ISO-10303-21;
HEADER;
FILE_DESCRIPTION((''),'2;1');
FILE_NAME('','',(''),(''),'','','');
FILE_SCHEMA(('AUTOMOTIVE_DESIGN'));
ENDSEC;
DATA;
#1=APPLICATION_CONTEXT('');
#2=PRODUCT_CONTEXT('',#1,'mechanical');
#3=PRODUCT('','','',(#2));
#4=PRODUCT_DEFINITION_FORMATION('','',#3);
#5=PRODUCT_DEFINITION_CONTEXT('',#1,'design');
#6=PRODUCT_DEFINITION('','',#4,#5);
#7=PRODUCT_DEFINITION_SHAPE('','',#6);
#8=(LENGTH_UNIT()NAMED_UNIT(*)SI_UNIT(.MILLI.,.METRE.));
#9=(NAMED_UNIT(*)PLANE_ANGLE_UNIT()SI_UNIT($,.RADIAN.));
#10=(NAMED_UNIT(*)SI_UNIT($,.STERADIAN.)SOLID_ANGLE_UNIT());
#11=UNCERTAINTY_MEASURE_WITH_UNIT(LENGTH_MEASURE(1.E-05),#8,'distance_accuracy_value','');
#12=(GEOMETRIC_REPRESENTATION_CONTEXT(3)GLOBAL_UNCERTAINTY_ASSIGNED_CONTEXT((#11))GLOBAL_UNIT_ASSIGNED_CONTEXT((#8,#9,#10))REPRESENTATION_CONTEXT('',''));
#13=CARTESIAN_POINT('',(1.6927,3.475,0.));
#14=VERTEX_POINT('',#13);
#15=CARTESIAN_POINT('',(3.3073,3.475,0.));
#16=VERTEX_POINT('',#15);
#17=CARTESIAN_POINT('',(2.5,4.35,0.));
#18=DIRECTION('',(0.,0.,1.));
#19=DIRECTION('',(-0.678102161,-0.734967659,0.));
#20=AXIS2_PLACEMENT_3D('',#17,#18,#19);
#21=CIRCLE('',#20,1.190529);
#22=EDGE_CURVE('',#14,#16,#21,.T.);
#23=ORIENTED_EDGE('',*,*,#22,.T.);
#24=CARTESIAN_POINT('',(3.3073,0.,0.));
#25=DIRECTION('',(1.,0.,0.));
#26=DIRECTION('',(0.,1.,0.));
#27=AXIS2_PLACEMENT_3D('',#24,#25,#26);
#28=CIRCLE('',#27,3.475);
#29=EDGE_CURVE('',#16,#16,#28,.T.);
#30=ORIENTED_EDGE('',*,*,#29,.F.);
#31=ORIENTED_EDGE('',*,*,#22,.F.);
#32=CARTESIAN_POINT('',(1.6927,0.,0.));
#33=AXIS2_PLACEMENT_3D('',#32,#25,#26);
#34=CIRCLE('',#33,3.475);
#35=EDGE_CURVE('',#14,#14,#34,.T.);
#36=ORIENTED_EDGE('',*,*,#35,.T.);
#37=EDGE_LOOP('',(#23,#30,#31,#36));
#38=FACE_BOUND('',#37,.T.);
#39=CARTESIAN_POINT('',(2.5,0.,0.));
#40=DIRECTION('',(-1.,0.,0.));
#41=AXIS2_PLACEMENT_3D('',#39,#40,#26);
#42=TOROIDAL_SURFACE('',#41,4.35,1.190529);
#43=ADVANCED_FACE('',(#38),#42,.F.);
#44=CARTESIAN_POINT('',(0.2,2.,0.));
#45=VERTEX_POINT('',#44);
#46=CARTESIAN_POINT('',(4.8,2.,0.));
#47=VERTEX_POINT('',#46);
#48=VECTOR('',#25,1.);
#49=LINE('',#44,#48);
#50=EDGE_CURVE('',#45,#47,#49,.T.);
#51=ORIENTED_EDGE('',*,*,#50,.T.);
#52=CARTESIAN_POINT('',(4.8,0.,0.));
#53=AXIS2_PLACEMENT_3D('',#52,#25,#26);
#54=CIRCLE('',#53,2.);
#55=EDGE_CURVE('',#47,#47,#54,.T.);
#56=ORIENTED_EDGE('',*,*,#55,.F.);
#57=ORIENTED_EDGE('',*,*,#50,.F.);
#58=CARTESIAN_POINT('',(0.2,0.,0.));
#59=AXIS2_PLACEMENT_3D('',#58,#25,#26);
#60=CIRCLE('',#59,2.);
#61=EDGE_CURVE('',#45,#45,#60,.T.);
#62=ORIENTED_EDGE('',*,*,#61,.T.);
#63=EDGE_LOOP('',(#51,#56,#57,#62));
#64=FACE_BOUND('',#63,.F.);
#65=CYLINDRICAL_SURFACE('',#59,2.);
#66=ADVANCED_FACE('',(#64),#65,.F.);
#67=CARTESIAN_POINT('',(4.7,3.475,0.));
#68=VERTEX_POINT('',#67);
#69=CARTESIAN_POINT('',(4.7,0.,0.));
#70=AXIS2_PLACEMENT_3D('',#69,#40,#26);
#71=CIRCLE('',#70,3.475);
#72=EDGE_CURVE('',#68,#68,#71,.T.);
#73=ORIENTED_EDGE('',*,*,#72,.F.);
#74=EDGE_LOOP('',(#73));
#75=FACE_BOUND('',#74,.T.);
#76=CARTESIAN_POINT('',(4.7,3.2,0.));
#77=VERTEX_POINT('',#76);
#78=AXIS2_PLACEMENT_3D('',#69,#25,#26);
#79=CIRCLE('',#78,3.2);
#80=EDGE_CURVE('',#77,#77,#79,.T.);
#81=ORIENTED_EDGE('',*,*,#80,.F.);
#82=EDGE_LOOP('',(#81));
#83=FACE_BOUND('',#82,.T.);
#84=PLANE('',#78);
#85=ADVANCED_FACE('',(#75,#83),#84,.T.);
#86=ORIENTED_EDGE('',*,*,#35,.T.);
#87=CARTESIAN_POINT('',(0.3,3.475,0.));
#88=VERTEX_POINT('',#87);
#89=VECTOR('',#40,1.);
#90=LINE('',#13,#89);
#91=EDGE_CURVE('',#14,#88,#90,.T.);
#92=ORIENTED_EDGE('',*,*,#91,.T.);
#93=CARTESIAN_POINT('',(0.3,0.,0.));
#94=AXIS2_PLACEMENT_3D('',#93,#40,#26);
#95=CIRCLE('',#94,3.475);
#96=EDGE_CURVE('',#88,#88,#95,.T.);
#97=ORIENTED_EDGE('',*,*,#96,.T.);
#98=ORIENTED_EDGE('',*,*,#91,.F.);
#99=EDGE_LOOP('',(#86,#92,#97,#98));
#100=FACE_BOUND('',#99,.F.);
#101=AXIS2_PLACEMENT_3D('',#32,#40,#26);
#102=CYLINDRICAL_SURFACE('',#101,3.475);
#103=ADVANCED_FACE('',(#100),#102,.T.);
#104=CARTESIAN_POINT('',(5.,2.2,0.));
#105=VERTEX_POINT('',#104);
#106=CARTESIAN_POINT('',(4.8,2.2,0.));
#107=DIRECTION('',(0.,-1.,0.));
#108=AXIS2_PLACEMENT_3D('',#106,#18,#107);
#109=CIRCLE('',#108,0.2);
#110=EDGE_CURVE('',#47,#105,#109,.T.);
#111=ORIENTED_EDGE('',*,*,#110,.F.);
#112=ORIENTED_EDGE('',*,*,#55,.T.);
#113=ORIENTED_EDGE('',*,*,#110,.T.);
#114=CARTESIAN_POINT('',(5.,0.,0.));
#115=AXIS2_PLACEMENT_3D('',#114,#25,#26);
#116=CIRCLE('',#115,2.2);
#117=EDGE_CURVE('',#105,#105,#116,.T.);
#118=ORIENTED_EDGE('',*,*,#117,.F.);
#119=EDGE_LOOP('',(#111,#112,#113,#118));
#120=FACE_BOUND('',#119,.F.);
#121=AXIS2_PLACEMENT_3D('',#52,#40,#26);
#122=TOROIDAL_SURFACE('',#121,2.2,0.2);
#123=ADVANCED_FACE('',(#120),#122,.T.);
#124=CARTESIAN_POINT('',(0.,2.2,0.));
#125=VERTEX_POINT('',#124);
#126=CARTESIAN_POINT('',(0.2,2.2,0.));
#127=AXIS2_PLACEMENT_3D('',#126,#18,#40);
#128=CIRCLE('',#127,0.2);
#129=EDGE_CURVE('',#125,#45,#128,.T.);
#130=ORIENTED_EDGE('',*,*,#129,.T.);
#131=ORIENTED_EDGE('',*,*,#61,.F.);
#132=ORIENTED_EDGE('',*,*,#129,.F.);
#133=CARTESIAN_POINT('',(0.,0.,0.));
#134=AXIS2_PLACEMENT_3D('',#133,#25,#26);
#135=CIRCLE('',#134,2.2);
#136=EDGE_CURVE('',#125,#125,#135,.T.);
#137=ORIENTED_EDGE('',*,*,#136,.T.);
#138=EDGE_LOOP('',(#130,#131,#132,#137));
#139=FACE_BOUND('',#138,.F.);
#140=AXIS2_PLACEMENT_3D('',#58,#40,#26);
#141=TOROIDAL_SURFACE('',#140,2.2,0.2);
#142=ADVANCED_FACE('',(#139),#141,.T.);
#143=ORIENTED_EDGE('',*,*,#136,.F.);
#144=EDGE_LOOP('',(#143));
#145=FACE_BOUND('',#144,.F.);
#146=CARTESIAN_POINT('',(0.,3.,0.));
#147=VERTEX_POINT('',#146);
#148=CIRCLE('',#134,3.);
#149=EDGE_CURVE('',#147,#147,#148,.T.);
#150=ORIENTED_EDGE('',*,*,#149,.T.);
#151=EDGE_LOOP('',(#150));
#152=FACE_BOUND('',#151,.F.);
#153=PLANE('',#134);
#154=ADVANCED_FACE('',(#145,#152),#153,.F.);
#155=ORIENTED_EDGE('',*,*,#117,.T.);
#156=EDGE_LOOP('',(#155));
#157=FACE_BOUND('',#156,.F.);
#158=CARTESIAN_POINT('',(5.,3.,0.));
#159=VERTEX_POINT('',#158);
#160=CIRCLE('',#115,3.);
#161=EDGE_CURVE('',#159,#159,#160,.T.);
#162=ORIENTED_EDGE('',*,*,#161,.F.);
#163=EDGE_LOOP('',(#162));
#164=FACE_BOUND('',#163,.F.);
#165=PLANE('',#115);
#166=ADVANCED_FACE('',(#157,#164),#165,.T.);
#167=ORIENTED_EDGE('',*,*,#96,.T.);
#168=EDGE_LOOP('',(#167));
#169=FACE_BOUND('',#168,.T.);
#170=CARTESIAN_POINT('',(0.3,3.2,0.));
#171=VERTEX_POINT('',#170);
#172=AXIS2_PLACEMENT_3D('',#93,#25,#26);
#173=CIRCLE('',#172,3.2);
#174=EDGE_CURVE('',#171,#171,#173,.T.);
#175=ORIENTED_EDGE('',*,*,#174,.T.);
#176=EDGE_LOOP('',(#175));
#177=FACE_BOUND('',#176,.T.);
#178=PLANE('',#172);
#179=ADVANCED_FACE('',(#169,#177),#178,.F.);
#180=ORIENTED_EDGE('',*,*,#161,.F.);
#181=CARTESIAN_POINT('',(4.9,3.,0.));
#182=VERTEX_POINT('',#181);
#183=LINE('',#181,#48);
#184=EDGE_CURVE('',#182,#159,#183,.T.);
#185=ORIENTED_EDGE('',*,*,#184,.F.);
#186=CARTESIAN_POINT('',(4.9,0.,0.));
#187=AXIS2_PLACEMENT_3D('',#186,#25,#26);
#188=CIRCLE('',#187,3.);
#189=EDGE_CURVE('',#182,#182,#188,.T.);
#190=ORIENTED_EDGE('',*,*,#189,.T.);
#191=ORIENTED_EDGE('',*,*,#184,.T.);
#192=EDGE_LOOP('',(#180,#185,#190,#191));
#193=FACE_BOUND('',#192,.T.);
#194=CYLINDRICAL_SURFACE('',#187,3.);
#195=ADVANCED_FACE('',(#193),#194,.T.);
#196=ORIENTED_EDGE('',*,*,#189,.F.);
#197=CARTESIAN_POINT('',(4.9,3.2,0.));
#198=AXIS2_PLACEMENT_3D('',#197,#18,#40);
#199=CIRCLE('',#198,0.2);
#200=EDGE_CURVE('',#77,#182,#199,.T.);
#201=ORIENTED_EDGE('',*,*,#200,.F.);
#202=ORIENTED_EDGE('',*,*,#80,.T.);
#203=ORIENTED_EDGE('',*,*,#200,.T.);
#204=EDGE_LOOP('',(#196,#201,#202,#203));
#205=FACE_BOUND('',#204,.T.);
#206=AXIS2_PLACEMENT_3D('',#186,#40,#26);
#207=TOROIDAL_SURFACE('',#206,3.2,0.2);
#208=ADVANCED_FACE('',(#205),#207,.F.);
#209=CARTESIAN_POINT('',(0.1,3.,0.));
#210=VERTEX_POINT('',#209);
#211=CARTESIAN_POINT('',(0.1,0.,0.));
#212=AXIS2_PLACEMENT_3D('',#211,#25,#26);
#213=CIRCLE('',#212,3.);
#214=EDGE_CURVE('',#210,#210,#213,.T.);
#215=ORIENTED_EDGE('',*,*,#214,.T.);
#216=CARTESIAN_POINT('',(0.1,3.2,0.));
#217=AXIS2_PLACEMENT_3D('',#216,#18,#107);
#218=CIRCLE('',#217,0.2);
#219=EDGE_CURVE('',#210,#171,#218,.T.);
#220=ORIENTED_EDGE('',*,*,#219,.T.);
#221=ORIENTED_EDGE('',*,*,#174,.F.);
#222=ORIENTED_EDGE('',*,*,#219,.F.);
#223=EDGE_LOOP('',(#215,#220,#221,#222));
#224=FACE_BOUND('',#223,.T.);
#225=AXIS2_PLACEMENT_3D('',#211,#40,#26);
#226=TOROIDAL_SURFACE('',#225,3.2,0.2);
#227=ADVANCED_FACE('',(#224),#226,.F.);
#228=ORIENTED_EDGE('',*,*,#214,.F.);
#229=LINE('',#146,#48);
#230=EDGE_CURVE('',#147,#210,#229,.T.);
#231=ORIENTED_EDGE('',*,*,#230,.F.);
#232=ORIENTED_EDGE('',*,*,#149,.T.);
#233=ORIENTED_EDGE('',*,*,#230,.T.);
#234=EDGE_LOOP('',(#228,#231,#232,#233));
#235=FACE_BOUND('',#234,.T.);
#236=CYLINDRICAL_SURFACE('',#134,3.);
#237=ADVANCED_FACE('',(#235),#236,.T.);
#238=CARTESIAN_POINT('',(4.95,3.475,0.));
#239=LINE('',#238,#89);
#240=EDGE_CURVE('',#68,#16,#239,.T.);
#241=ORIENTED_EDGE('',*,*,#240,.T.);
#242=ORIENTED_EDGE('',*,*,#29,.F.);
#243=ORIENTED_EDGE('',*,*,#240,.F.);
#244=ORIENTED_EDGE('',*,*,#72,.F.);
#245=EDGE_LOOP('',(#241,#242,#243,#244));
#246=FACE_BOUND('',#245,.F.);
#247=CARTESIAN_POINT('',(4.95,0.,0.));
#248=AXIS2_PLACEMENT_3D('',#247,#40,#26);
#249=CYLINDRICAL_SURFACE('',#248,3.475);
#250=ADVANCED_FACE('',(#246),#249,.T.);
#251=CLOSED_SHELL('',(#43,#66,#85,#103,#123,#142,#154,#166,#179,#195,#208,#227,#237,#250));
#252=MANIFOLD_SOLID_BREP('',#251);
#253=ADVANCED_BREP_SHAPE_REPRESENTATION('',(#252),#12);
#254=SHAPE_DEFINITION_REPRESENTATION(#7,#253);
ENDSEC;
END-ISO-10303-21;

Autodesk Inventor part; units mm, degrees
ref_plane "YZ Plane" through (0, 0, 0) normal (1, 0, 0) x (0, 1, 0)
ref_plane "XZ Plane" through (0, 0, 0) normal (0, 1, 0) x (-1, 0, 0)
ref_plane "XY Plane" through (0, 0, 0) normal (0, 0, 1) x (1, 0, 0)
sketch "Sketch_40" plane through (0, 0, 0) normal (0, 0, 1) x (1, 0, 0)
  line L0 (2.5, 0) -> (-2.5, 0)
  line L1 (0, 3.425) -> (0, 2.2)
  arc A0 (0, 2.2) -> (0.2, 2) centre (0.2, 2.2) ccw
  line L2 (0.2, 2) -> (4.8, 2)
  arc A1 (4.8, 2) -> (5, 2.2) centre (4.8, 2.2) ccw
  line L3 (5, 2.2) -> (5, 3.425)
  arc A2 (5, 3.425) -> (4.95, 3.475) centre (4.95, 3.425) ccw
  line L4 (4.95, 3.475) -> (3.3073, 3.475)
  arc A3 (1.6927, 3.475) -> (3.3073, 3.475) centre (2.5, 4.35) ccw
  line L5 (1.6927, 3.475) -> (0.05, 3.475)
  arc A4 (0.05, 3.475) -> (0, 3.425) centre (0.05, 3.425) ccw
revolve "Revolution1" add sketch "Sketch_40" angle 360 about axis through (2.5, 0, 0) along (1, 0, 0)
sketch "Sketch_42" plane through (0, 0, 0) normal (0, 0, 1) x (1, 0, 0)
  line L0 (2.5, 0) -> (-2.5, 0)
  line L1 (0, 7.35) -> (0, 3)
  line L2 (0, 3) -> (0.1, 3)
  arc A0 (0.1, 3) -> (0.3, 3.2) centre (0.1, 3.2) ccw
  line L3 (0.3, 3.2) -> (0.3, 7.15)
  line L4 (0.3, 7.15) -> (4.7, 7.15)
  line L5 (4.7, 7.15) -> (4.7, 3.2)
  arc A1 (4.7, 3.2) -> (4.9, 3) centre (4.9, 3.2) ccw
  line L6 (4.9, 3) -> (5, 3)
  line L7 (5, 3) -> (5, 7.35)
  line L8 (5, 7.35) -> (0, 7.35)
revolve "Revolution2" cut sketch "Sketch_42" angle 360 about axis through (2.5, 0, 0) along (1, 0, 0)
properties part number "SKF_W 624 R_PART1"
